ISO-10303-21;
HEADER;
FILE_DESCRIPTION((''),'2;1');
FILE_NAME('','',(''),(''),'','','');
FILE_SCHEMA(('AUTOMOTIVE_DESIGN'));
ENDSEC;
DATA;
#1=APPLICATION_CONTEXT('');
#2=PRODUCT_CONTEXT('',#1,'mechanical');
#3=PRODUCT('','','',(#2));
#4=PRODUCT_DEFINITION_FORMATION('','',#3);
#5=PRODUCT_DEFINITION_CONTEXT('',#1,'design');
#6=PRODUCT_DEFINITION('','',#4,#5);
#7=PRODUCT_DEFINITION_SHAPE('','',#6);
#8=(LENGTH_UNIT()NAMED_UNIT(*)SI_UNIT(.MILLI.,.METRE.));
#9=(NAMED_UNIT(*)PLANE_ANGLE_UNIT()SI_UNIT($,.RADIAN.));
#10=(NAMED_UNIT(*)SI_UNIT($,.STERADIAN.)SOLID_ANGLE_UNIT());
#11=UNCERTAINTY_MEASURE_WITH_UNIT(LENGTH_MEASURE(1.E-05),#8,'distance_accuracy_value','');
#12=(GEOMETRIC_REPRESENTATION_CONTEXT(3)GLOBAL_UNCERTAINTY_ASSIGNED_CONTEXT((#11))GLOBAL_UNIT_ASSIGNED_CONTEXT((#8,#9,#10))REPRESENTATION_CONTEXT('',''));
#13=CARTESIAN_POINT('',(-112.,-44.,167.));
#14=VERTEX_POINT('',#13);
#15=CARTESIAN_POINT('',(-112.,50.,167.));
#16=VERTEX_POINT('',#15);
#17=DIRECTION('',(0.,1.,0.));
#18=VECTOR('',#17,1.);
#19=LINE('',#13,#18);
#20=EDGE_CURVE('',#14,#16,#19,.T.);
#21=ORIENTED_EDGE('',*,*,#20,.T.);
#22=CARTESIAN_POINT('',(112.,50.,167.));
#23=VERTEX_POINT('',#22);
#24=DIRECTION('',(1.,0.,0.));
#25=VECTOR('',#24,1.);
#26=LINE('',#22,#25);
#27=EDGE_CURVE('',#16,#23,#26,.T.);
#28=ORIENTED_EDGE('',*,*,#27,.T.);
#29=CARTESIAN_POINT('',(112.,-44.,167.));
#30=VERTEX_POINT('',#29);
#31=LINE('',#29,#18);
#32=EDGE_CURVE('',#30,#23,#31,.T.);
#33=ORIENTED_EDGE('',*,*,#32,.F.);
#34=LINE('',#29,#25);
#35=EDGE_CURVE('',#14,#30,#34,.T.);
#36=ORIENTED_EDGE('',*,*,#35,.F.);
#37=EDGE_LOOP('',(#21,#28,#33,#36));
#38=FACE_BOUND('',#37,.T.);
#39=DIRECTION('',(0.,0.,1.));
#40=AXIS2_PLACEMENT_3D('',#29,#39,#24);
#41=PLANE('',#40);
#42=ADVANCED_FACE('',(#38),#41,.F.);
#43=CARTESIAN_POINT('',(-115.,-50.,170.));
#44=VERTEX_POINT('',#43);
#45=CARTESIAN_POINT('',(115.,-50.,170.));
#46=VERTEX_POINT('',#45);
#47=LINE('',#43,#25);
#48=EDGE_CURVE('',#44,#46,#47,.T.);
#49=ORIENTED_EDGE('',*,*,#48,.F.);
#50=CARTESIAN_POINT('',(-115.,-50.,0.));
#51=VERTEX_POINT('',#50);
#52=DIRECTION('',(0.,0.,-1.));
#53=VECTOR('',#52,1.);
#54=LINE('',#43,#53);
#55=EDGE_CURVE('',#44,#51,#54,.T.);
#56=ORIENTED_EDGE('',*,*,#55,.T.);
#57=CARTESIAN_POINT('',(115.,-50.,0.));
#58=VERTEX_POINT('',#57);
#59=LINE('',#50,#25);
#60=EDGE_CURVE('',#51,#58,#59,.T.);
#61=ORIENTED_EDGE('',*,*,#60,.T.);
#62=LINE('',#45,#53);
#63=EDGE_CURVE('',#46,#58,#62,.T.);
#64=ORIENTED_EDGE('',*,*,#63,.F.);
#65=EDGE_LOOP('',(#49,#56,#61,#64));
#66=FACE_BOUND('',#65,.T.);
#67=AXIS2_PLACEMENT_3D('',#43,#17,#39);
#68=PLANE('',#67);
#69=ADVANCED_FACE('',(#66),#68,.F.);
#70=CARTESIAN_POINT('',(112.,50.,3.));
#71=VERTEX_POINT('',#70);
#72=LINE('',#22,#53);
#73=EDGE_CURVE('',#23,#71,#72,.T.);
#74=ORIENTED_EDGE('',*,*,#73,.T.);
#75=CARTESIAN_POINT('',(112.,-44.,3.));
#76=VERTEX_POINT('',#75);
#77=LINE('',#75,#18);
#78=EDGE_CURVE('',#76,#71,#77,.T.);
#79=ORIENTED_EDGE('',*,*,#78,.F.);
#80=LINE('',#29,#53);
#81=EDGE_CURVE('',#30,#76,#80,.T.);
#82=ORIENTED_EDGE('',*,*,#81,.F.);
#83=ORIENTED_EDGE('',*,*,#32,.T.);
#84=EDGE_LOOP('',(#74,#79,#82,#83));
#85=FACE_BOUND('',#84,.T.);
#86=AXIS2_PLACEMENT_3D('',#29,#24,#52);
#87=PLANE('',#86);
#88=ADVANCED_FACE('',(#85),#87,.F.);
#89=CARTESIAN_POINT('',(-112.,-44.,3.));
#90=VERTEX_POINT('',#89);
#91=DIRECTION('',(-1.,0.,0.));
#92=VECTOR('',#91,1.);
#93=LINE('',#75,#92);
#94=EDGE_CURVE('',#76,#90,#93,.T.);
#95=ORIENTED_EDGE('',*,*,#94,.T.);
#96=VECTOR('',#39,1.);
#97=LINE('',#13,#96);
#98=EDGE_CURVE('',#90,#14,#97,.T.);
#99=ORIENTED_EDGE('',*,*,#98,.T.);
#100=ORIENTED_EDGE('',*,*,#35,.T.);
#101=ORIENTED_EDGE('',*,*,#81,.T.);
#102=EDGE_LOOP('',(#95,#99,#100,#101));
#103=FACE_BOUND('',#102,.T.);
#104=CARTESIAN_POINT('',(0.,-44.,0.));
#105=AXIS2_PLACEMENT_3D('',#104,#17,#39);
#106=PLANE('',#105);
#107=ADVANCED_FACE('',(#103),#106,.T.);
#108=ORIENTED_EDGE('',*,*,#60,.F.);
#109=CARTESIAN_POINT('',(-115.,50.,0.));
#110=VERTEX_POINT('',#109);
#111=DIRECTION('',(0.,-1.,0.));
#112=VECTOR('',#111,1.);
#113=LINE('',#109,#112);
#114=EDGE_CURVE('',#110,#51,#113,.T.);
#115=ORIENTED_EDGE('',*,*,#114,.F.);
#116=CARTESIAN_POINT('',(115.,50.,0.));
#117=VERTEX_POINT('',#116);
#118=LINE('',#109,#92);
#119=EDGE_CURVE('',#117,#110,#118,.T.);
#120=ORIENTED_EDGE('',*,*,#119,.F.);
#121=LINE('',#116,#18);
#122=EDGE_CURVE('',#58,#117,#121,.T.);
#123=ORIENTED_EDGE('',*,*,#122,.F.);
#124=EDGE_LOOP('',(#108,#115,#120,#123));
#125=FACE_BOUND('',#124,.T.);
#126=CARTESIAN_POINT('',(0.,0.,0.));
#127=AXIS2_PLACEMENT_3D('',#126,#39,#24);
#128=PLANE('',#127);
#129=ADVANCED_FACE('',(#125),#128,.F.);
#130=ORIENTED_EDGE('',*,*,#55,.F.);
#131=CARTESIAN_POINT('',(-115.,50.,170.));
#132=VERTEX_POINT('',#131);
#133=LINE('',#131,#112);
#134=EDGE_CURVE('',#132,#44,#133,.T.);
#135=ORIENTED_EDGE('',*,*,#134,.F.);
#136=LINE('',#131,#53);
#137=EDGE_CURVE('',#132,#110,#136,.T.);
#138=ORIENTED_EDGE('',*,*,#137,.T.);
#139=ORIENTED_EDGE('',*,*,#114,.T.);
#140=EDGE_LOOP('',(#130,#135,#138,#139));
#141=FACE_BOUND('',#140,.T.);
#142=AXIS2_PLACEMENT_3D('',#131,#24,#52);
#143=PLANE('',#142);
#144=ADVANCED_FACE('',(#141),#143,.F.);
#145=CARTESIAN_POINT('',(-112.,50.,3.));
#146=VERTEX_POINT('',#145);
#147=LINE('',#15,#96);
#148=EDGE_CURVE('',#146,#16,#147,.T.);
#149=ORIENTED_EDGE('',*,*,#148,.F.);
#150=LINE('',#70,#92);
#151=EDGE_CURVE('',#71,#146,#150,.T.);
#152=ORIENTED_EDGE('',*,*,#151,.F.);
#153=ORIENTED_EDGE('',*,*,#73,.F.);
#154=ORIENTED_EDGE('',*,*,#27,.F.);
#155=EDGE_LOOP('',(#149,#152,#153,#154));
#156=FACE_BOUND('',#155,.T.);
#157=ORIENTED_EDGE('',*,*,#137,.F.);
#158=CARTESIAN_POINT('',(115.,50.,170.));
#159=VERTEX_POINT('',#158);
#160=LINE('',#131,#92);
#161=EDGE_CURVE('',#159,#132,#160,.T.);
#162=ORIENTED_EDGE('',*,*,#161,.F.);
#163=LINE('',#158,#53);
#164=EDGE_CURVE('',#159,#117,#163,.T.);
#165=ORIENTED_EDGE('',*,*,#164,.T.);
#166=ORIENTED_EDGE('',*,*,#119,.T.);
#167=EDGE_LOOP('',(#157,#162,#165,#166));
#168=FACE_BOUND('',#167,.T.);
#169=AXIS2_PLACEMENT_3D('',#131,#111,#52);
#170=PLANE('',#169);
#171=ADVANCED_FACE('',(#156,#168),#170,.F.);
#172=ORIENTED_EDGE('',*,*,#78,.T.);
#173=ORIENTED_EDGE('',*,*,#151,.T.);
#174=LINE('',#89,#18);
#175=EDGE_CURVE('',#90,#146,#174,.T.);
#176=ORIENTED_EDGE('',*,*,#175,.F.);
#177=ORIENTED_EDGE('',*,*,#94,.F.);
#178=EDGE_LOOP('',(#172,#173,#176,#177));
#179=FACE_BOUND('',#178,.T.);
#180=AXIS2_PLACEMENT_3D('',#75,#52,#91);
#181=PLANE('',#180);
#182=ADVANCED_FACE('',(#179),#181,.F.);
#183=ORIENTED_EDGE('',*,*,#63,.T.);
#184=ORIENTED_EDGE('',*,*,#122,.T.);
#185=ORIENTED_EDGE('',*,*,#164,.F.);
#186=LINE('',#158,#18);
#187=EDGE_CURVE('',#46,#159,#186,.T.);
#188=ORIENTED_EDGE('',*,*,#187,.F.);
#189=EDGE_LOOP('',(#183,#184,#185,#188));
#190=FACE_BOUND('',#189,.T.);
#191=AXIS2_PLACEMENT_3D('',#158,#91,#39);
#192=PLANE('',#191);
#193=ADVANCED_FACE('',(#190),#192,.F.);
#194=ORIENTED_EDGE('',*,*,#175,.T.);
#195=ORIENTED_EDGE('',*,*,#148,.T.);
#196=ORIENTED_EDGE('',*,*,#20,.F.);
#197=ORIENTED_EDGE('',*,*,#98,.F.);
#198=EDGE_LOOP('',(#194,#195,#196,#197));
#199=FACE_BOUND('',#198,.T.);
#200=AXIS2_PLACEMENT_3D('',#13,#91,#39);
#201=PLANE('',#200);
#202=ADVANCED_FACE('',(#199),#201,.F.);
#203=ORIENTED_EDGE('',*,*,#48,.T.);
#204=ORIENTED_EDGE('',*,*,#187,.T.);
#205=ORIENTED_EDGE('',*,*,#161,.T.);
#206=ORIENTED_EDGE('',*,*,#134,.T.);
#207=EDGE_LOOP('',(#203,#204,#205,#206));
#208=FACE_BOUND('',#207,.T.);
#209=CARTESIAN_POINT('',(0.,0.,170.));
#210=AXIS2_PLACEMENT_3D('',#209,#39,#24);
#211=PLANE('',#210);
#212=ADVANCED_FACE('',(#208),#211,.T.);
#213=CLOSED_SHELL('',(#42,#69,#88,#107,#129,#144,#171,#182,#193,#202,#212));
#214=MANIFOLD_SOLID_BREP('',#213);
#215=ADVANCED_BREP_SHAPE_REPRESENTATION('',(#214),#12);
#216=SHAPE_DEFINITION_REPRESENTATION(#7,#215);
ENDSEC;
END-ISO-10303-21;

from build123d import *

# Parameters (mm, degrees)
SKICA5_W                 = 230
SKICA5_H                 = 100
P_IDAT_VYSUNUT_M3_DEPTH  = 170
SKICA8_W                 = 224
SKICA8_H                 = 164
ODEBRAT_VYSUNUT_M3_DEPTH = 94


with BuildPart() as part:
    # Skica5 → Přidat vysunutím3 (new body)
    with BuildSketch(Plane.XY):
        Rectangle(SKICA5_W, SKICA5_H)
    extrude(amount=P_IDAT_VYSUNUT_M3_DEPTH)

    # Skica8 → Odebrat vysunutím3 (cut)
    with BuildSketch(Plane(origin=(0, 50, 0), x_dir=(1, 0, 0), z_dir=(0, 1, 0))):
        with Locations((0, -85)):
            Rectangle(SKICA8_W, SKICA8_H)
    extrude(amount=-ODEBRAT_VYSUNUT_M3_DEPTH, mode=Mode.SUBTRACT)


solid = part.part
